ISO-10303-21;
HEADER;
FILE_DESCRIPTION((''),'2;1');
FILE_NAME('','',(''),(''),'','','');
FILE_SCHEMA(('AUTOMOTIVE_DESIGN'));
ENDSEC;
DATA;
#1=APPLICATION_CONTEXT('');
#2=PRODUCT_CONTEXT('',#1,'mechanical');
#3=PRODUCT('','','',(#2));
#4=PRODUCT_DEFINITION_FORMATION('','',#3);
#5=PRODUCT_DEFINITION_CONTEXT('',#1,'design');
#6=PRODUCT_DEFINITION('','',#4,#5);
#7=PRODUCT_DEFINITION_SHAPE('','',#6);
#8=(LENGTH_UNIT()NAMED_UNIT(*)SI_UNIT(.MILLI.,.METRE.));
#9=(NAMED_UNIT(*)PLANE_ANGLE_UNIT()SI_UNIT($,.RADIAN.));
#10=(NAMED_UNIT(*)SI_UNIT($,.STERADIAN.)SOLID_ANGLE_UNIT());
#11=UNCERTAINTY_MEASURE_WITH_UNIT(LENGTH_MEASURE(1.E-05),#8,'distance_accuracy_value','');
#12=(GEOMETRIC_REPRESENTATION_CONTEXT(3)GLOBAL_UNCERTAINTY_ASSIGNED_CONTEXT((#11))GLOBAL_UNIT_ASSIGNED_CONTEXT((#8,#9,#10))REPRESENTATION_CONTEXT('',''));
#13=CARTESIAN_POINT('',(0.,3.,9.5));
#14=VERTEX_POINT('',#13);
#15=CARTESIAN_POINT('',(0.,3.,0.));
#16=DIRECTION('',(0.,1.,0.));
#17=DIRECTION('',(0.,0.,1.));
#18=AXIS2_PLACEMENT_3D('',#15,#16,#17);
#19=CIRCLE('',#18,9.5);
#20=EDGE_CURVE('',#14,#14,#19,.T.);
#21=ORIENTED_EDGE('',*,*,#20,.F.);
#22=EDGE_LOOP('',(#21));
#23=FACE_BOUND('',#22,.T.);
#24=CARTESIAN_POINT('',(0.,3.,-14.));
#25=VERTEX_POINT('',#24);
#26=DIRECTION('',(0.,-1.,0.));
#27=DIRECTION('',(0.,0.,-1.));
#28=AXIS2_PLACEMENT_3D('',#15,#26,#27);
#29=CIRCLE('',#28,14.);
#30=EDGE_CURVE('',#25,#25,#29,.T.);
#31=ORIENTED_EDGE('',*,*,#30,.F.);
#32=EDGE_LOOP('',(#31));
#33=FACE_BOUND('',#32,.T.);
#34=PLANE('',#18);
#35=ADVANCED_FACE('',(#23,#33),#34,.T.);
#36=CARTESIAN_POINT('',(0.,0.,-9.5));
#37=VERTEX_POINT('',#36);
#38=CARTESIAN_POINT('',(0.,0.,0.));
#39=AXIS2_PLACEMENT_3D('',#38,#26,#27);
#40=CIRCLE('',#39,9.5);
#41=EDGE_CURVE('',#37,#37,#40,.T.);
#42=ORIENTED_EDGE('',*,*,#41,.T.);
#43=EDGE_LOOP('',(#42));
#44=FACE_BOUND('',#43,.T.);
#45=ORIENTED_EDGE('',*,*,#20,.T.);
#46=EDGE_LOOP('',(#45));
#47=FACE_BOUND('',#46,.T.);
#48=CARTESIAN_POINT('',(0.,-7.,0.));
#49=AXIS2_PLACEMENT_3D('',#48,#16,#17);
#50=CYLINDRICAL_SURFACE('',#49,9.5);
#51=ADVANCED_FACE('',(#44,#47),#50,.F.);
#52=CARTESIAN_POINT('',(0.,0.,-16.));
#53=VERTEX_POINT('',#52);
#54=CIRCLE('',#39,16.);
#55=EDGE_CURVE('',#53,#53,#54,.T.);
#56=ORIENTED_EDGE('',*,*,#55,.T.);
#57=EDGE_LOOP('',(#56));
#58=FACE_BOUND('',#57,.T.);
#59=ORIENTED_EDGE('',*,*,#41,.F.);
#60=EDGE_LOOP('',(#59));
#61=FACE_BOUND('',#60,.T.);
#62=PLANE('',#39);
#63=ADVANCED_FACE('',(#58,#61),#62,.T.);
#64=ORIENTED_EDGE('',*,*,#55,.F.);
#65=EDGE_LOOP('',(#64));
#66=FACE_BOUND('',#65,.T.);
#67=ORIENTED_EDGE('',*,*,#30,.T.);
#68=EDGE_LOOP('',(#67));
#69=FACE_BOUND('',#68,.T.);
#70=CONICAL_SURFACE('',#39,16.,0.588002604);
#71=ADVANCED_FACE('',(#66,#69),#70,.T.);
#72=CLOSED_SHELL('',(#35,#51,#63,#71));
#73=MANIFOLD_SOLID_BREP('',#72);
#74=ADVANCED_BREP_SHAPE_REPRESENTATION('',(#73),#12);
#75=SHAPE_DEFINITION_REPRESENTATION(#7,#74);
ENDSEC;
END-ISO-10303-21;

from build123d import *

# Parameters (mm, degrees)
SKETCH_2_R          = 9.5
CUT_EXTRUDE_1_DEPTH = 10


with BuildPart() as part:
    # 草图1 → 旋转1 (revolve)
    with BuildSketch(Plane.XY):
        Polygon((0, 0), (0, 3), (14, 3), (16, 0), align=None)
    revolve(axis=Axis((0, 0, 0), (0, 1, 0)))

    # 草图2 → 切除-拉伸1 (cut)
    with BuildSketch(Plane(origin=(0, 3, 0), x_dir=(1, 0, 0), z_dir=(0, 1, 0))):
        Circle(SKETCH_2_R)
    extrude(amount=-CUT_EXTRUDE_1_DEPTH, mode=Mode.SUBTRACT)


solid = part.part
